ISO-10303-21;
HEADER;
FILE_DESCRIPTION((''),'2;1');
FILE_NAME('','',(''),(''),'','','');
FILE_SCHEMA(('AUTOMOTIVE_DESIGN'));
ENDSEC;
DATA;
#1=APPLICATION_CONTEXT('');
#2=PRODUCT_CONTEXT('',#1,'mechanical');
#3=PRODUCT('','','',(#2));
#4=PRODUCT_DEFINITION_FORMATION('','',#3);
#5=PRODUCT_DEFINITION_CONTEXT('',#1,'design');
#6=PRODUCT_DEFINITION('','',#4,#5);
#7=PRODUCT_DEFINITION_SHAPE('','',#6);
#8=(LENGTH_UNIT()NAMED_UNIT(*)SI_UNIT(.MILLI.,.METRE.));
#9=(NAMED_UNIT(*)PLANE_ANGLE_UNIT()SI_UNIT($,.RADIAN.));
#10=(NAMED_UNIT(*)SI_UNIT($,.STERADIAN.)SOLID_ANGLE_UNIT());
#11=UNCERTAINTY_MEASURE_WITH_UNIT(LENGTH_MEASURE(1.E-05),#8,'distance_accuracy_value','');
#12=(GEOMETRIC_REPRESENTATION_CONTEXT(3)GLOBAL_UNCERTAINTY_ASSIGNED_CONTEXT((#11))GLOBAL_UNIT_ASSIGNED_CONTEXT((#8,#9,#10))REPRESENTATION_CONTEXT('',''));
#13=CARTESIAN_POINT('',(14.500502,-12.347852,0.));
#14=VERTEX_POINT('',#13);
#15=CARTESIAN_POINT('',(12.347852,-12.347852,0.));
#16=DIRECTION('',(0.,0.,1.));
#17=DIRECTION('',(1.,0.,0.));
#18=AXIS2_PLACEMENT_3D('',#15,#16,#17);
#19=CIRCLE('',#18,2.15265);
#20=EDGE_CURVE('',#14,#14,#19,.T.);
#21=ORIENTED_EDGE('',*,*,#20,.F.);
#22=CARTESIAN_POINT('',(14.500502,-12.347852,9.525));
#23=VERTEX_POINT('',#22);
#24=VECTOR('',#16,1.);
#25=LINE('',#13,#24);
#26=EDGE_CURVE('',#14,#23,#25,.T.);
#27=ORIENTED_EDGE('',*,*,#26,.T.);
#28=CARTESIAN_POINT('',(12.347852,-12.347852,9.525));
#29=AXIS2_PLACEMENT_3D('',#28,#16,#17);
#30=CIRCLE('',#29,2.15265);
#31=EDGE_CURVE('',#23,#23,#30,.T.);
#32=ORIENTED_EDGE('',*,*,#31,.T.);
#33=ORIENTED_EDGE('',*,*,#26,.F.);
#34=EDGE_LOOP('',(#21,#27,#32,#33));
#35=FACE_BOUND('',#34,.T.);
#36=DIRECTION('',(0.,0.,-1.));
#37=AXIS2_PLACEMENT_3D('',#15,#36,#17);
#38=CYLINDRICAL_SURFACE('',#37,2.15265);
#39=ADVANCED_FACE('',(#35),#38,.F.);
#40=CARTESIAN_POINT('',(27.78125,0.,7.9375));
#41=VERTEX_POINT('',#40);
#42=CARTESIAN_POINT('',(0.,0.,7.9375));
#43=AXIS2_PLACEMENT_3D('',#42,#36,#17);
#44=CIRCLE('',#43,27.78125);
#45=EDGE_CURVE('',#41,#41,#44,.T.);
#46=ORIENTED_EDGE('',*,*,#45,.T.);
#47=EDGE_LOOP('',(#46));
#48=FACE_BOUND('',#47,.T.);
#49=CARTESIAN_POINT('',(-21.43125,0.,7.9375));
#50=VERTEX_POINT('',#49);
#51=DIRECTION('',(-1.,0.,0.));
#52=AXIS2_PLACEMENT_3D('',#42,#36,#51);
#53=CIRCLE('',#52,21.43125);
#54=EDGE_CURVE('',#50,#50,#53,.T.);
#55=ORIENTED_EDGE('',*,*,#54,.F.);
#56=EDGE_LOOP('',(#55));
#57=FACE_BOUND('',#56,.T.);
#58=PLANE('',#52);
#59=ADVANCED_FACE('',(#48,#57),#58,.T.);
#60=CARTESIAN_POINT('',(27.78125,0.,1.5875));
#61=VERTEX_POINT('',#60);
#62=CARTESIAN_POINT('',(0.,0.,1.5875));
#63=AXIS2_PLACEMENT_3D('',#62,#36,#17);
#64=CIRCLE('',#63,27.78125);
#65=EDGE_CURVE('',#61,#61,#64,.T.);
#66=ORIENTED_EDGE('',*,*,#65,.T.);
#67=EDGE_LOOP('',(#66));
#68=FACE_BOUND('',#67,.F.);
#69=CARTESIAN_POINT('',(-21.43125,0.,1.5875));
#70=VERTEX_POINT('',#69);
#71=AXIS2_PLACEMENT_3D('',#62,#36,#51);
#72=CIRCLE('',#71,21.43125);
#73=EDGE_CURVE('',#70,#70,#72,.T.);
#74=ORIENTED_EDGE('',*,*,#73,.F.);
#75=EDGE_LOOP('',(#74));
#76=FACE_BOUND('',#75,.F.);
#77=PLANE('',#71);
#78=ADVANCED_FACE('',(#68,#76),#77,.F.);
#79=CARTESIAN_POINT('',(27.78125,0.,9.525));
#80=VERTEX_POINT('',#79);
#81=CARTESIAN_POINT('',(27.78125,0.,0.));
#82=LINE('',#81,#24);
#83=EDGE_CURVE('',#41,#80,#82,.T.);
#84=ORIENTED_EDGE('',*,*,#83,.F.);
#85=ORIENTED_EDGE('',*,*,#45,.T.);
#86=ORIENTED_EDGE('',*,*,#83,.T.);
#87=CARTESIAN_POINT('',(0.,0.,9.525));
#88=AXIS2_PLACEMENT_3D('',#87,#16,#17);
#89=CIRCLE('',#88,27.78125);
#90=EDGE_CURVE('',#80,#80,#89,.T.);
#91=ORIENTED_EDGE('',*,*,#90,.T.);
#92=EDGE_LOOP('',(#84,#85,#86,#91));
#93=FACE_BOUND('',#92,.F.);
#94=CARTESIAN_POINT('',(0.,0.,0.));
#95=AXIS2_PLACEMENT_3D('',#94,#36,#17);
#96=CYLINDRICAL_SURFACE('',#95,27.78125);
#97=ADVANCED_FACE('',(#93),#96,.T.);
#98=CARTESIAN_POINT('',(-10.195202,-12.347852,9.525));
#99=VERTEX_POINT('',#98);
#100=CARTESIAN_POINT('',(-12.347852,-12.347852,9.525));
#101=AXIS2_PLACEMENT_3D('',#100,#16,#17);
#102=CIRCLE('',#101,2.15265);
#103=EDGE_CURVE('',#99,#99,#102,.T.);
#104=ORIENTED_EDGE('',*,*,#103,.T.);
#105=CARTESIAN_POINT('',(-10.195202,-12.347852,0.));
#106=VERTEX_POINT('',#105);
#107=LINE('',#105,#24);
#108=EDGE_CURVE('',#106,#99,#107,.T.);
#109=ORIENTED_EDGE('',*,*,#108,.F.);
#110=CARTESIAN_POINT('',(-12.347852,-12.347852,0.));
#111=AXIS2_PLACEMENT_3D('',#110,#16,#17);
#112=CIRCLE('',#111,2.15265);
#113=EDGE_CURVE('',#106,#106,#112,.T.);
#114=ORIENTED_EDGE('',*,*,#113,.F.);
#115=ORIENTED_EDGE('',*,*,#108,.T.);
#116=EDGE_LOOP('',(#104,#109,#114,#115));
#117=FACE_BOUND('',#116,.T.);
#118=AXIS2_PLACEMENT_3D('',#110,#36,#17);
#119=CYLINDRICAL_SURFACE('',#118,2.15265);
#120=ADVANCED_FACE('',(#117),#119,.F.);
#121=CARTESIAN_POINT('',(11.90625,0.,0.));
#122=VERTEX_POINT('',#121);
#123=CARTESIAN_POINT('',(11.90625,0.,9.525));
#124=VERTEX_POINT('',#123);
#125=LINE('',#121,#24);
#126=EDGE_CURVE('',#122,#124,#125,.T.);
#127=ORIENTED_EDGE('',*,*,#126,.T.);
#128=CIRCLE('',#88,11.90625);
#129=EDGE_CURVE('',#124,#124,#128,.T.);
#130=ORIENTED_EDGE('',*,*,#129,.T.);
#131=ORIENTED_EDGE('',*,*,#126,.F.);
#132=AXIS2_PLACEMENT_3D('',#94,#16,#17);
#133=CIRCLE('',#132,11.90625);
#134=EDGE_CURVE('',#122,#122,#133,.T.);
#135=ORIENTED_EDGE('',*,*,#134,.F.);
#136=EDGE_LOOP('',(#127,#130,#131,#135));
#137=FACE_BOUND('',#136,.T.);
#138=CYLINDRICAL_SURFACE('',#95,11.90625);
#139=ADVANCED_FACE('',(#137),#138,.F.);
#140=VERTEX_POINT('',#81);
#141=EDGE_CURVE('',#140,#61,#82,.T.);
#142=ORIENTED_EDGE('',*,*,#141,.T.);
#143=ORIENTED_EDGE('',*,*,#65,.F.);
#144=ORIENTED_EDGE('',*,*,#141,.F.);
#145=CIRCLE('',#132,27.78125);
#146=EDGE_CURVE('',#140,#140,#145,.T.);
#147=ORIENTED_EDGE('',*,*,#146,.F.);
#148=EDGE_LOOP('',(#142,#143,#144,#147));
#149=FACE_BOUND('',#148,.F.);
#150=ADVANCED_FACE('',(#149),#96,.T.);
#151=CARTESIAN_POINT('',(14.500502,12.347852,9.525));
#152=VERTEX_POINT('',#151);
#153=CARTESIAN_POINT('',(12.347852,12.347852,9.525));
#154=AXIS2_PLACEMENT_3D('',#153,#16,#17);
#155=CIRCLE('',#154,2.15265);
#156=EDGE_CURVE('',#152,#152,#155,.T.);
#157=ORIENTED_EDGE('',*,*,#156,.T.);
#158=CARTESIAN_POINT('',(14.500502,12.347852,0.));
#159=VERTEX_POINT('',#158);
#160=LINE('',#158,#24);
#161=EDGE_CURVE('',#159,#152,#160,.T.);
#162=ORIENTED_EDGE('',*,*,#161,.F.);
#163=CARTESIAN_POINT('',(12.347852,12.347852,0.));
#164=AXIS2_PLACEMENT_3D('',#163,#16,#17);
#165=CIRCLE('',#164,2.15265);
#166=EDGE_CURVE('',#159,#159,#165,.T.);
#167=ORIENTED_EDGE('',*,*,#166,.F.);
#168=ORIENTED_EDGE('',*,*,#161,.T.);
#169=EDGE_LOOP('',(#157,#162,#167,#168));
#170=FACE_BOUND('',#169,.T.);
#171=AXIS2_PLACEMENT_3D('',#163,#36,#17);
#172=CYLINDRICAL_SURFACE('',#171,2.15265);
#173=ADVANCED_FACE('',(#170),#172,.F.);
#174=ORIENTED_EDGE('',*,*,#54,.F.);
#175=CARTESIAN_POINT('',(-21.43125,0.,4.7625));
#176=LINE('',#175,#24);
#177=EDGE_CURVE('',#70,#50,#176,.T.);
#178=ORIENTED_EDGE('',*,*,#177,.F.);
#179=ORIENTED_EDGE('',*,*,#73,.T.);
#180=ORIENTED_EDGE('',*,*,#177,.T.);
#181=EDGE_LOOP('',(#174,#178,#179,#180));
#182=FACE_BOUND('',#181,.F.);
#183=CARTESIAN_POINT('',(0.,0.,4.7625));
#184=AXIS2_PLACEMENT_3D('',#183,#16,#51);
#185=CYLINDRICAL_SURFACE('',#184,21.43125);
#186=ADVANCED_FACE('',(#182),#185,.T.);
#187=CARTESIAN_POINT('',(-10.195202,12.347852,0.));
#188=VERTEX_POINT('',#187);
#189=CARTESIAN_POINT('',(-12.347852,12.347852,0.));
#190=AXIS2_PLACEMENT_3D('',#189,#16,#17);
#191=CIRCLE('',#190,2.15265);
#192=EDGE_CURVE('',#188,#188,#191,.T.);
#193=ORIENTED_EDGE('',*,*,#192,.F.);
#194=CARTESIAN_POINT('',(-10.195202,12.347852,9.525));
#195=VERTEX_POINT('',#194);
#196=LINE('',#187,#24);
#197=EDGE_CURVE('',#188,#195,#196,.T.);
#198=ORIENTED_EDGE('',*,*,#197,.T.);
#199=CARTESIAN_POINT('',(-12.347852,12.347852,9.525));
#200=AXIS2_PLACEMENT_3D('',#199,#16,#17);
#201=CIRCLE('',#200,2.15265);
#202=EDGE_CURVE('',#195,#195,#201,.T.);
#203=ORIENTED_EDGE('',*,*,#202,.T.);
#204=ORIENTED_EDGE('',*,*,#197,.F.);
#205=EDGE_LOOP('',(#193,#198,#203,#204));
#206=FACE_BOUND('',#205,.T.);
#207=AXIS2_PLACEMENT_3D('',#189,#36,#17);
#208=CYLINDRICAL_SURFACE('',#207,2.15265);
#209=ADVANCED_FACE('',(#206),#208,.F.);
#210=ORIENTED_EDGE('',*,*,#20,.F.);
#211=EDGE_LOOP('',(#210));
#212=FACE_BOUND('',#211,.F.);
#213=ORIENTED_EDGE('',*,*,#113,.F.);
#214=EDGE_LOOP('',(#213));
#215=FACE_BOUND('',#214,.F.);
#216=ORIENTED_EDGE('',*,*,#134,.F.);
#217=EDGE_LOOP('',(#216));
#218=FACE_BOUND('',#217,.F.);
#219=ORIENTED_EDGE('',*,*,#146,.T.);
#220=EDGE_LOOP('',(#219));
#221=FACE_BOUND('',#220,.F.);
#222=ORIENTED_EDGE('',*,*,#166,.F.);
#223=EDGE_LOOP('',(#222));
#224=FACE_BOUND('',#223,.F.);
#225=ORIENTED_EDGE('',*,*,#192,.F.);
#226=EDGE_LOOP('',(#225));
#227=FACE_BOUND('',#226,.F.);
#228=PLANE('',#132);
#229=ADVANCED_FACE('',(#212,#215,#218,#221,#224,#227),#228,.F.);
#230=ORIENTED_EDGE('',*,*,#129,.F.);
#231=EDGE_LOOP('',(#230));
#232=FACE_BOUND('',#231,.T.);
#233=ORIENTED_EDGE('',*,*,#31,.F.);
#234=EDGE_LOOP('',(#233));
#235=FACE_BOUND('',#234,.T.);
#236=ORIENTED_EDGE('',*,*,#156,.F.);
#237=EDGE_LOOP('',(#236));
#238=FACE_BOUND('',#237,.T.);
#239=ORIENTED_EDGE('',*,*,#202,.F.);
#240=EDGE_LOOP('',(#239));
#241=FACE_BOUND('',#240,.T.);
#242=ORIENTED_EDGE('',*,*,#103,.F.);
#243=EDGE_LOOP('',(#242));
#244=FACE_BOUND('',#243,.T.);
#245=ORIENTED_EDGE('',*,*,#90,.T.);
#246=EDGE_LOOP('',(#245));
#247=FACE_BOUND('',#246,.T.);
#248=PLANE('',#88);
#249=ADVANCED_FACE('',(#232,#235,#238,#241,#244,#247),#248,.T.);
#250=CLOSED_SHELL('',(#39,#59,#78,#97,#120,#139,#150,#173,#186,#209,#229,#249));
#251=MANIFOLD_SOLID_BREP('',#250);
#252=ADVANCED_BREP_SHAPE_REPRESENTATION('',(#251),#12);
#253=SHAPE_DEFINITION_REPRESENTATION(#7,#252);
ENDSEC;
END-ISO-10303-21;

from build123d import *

# Parameters (mm, degrees)
F0_R     = 27.78125
F0_R_2   = 2.15265
F0_R_3   = 11.90625
F1_DEPTH = 9.525
F2_W     = 21.43125
F2_H     = 6.35


with BuildPart() as f1:
    # F0 (on Top) → F1 (new body)
    with BuildSketch(Plane.XY):
        Circle(F0_R)
        with Locations((-12.347852, -12.347852)):
            Circle(F0_R_2, mode=Mode.SUBTRACT)
        with Locations((12.347852, -12.347852)):
            Circle(F0_R_2, mode=Mode.SUBTRACT)
        with Locations((-12.347852, 12.347852)):
            Circle(F0_R_2, mode=Mode.SUBTRACT)
        Circle(F0_R_3, mode=Mode.SUBTRACT)
        with Locations((12.347852, 12.347852)):
            Circle(F0_R_2, mode=Mode.SUBTRACT)
    extrude(amount=F1_DEPTH)

    # F2 (on Front) → F3 (revolve, cut)
    with BuildSketch(Plane.XZ):
        with Locations((-32.146875, 4.7625)):
            Rectangle(F2_W, F2_H)
    revolve(axis=Axis((0, 0, 0), (0, 0, -1)), mode=Mode.SUBTRACT)


solid = f1.part
